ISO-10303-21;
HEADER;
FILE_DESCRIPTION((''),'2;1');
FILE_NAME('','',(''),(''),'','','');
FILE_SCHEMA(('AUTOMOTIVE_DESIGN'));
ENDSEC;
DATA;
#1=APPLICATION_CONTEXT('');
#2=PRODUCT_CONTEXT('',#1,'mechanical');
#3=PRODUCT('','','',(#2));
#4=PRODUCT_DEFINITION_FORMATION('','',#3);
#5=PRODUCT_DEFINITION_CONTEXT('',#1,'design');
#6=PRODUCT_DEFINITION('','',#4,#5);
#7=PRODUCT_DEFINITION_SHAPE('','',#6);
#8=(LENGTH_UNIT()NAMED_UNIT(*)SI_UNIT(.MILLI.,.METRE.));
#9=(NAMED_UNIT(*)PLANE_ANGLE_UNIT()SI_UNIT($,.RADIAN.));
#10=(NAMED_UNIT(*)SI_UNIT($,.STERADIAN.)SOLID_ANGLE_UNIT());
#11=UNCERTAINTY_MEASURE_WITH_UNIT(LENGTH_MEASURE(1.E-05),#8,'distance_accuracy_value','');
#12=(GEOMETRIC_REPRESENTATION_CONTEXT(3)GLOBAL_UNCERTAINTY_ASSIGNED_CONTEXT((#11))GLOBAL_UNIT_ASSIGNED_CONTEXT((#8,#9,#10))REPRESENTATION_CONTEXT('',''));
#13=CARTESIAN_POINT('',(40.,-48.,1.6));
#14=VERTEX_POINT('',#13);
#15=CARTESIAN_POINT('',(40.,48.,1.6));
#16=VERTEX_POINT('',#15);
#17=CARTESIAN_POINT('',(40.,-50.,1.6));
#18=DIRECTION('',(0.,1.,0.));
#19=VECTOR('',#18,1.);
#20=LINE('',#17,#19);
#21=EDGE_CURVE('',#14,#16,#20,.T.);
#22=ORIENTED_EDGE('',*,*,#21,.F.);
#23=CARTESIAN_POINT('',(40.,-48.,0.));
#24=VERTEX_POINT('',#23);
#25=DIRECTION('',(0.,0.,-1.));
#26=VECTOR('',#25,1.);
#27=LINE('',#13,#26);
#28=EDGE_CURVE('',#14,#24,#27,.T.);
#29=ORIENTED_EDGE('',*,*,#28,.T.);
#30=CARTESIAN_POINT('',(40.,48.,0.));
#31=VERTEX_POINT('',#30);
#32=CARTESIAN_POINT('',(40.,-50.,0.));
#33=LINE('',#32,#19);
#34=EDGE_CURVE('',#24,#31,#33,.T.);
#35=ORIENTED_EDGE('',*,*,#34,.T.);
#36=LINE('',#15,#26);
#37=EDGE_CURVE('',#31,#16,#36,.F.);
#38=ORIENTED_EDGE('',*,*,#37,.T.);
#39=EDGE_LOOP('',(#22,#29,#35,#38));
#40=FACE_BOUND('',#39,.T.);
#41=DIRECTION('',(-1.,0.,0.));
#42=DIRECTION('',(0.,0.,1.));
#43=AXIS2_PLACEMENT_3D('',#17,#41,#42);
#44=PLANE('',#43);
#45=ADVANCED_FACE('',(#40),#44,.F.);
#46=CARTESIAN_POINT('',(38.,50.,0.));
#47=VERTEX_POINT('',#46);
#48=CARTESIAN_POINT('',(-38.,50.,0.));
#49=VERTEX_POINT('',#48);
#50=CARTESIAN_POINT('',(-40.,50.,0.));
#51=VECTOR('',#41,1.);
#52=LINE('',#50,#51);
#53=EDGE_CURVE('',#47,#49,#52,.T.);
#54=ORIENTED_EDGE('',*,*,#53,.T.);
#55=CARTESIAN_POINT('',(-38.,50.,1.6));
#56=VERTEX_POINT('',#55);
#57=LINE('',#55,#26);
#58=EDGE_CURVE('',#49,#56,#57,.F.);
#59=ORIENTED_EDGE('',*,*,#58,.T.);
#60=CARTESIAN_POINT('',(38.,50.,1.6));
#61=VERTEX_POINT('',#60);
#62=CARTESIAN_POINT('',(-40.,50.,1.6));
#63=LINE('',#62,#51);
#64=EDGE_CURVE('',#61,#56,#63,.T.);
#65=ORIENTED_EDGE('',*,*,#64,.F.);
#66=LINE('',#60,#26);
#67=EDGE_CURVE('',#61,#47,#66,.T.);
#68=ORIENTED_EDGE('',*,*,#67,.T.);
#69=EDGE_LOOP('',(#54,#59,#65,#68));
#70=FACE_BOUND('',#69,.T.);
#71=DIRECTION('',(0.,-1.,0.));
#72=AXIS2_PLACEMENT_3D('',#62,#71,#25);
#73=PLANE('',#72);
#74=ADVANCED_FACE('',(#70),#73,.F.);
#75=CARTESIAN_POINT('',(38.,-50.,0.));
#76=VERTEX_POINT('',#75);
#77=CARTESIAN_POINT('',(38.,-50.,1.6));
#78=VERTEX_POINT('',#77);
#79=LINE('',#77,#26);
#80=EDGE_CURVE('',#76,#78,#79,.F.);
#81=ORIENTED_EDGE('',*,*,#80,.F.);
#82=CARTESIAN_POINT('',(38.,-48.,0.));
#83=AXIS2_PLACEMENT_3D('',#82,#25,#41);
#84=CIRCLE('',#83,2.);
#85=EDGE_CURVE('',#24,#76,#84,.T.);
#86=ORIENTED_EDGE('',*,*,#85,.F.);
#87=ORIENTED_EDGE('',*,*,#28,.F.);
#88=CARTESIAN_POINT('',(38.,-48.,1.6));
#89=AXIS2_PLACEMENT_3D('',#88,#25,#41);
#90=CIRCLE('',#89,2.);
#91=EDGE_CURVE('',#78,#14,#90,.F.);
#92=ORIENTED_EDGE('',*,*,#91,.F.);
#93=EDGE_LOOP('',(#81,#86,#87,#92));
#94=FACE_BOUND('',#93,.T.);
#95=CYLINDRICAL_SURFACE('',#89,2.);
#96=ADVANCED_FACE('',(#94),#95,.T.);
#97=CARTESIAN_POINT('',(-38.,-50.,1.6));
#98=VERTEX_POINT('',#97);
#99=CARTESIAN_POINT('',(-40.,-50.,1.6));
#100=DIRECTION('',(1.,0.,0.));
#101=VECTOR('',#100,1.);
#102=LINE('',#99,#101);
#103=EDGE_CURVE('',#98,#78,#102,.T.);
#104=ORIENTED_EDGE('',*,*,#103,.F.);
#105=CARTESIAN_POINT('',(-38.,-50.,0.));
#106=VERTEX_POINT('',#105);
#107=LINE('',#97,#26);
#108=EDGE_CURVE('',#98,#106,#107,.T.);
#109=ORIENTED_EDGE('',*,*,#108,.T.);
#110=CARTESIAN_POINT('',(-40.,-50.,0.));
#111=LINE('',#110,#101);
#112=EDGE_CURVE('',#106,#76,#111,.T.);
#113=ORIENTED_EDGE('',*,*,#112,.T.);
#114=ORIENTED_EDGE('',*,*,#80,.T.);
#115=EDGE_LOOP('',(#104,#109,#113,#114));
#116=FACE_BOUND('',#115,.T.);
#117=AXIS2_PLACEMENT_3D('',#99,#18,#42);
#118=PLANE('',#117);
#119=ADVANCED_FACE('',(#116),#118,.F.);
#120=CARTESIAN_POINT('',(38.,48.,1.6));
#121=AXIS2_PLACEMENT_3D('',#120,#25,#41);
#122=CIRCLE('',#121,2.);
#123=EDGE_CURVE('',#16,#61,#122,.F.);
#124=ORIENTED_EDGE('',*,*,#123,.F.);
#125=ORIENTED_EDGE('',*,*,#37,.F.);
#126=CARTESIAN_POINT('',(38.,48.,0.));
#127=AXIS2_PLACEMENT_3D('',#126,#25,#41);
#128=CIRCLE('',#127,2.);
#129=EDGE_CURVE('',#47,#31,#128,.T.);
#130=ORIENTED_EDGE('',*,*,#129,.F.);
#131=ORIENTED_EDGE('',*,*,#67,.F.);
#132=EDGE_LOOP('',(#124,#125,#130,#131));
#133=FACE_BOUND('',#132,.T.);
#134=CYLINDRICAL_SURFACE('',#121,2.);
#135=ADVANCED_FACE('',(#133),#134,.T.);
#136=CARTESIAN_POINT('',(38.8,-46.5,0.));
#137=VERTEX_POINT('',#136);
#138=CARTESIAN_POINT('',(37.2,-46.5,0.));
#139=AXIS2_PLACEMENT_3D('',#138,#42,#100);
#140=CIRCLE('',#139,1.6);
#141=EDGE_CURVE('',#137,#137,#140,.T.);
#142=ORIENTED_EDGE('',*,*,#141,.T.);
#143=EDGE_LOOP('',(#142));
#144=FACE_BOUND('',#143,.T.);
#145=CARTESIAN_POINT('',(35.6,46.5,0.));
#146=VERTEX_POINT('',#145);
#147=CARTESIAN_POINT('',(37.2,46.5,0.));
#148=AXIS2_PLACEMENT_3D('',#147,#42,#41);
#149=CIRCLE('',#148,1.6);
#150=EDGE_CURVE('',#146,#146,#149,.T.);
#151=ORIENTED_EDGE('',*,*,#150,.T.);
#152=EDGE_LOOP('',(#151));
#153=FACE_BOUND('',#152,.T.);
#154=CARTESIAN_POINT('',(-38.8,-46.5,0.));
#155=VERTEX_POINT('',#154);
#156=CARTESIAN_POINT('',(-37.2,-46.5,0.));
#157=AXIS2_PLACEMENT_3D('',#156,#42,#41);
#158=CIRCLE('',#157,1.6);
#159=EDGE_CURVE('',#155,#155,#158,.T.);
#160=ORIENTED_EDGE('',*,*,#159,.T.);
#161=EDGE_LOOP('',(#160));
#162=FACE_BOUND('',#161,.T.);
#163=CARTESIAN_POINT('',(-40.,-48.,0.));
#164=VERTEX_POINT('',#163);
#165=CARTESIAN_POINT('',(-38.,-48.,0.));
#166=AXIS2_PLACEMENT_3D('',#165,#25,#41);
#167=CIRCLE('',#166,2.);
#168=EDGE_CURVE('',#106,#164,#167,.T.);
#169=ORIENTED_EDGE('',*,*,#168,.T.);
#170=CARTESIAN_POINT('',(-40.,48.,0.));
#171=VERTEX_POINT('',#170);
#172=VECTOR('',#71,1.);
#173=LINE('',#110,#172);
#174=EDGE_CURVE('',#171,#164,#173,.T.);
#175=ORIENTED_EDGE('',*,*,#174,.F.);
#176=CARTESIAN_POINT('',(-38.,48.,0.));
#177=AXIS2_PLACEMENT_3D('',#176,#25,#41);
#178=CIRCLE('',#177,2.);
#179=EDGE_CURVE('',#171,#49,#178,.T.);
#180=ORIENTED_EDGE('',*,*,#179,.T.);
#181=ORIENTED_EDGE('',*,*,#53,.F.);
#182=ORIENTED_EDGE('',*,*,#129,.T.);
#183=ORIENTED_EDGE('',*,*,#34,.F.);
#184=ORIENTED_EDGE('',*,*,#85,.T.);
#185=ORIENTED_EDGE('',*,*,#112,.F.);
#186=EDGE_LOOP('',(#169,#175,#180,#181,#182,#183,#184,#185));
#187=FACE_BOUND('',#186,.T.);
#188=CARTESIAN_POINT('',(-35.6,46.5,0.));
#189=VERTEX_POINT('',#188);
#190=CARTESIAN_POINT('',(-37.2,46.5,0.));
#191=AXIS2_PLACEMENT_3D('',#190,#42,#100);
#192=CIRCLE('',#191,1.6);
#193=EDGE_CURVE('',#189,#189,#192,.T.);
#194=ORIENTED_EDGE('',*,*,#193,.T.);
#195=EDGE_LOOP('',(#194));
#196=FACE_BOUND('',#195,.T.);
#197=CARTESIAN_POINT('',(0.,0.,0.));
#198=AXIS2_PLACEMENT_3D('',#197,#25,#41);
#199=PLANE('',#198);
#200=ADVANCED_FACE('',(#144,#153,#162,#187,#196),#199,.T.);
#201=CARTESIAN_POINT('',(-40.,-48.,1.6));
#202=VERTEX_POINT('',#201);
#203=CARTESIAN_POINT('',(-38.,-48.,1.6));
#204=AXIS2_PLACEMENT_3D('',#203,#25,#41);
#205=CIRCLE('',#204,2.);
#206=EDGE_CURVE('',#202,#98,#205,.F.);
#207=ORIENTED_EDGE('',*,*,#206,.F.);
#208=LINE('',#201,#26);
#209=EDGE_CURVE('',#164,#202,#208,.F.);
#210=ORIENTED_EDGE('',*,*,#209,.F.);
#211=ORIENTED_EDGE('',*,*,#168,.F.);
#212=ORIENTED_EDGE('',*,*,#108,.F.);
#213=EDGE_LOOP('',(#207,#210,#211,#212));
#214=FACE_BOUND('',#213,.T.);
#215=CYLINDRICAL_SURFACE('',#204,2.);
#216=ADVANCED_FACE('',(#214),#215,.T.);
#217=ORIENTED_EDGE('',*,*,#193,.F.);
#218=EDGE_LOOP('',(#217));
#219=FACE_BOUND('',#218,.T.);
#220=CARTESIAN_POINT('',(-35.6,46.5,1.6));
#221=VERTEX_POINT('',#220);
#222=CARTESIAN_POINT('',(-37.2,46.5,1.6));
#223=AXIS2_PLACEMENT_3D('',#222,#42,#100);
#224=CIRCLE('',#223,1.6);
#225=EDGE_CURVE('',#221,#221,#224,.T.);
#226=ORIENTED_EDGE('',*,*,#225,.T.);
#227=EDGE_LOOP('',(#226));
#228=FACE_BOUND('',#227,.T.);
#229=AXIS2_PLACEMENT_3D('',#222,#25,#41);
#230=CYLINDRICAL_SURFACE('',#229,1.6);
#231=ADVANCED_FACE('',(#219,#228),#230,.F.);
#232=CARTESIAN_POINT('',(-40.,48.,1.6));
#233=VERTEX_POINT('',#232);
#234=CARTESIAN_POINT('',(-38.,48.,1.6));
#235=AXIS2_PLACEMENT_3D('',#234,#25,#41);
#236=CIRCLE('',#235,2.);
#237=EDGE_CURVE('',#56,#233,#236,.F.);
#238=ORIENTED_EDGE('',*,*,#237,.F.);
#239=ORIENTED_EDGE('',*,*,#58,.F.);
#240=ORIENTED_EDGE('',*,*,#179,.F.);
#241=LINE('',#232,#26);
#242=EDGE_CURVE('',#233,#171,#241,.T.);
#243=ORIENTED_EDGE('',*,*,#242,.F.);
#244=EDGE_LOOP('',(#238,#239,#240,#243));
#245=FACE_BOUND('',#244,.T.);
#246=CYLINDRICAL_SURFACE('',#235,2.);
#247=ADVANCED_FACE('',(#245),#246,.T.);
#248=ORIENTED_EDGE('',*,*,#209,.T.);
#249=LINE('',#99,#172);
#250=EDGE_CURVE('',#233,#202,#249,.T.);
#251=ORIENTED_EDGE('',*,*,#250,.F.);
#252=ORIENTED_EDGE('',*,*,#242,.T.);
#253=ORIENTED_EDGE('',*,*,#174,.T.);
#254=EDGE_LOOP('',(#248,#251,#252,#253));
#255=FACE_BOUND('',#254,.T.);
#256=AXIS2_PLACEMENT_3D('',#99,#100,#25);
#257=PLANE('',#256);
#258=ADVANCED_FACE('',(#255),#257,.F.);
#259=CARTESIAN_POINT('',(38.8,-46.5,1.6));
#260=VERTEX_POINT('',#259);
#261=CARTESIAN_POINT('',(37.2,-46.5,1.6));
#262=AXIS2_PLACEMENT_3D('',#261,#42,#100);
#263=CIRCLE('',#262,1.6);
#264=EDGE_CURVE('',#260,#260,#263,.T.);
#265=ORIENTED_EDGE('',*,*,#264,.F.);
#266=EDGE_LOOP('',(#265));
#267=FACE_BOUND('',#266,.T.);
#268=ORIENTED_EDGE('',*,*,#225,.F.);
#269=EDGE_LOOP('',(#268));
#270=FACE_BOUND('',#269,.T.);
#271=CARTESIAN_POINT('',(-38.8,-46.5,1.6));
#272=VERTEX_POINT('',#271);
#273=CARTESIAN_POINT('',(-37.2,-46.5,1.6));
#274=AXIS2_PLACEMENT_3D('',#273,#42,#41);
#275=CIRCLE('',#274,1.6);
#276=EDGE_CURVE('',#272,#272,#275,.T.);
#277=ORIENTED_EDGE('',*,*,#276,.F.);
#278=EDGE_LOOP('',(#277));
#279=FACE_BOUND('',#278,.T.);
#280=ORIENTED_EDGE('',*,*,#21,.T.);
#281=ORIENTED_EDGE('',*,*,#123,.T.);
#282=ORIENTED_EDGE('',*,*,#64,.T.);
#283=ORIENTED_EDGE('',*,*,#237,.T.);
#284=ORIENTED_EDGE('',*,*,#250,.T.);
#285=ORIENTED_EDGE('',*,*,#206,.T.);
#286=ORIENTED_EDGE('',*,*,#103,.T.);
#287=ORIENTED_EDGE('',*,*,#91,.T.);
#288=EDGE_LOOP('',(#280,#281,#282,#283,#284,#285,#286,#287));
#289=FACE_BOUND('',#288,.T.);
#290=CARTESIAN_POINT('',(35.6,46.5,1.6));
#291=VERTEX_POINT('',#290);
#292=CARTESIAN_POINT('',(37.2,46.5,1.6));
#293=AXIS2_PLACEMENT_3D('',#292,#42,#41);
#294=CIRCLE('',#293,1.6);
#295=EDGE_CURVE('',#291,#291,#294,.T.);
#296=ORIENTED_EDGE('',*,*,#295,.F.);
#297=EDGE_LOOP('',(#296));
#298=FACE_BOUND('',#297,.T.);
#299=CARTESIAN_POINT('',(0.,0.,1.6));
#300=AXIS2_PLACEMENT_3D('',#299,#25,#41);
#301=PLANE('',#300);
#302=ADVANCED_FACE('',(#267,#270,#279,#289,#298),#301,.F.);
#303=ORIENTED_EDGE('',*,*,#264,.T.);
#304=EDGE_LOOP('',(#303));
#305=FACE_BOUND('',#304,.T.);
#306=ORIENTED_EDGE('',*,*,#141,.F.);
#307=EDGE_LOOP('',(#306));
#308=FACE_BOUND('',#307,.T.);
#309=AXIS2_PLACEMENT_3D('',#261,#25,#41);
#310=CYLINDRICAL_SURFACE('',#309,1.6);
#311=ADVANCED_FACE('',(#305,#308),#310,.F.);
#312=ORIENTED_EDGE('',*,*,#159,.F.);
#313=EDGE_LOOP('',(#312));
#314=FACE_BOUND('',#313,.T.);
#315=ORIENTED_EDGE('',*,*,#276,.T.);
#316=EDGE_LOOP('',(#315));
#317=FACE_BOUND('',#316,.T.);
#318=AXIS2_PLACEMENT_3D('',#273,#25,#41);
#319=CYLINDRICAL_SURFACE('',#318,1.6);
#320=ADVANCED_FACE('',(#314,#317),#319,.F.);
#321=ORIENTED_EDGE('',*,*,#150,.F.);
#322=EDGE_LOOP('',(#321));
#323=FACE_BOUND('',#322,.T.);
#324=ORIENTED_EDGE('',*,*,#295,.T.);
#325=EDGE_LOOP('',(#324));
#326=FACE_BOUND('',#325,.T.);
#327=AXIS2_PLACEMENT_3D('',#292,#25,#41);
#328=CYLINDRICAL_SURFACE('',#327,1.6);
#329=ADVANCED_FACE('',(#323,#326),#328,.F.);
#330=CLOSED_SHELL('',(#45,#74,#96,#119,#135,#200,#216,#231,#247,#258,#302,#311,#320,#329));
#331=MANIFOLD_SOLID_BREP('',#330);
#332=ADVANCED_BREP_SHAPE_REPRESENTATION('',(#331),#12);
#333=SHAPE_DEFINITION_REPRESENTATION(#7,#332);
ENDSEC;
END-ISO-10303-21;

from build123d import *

# Parameters (mm, degrees)
SKETCH_1_W      = 80
SKETCH_1_H      = 100
SKETCH_1_R      = 1.6
EXTRUDE_1_DEPTH = 1.6
FILLET_1_R      = 2


with BuildPart() as part:
    # 草图1 → 凸台-拉伸1 (new body)
    with BuildSketch(Plane.XY):
        Rectangle(SKETCH_1_W, SKETCH_1_H)
        with Locations((-37.2, 46.5)):
            Circle(SKETCH_1_R, mode=Mode.SUBTRACT)
        with Locations(Location((37.2, 46.5, 0), (0, 0, 180))):
            Circle(SKETCH_1_R, mode=Mode.SUBTRACT)
        with Locations((37.2, -46.5)):
            Circle(SKETCH_1_R, mode=Mode.SUBTRACT)
        with Locations(Location((-37.2, -46.5, 0), (0, 0, 180))):
            Circle(SKETCH_1_R, mode=Mode.SUBTRACT)
    extrude(amount=EXTRUDE_1_DEPTH)

    # 圆角1
    fillet_1_edges = [part.edges().sort_by_distance(p)[0] for p in [
        (40, -50, 0.8),
        (-40, -50, 0.8),
        (-40, 50, 0.8),
        (40, 50, 0.8),
    ]]
    fillet(fillet_1_edges, radius=FILLET_1_R)


solid = part.part
